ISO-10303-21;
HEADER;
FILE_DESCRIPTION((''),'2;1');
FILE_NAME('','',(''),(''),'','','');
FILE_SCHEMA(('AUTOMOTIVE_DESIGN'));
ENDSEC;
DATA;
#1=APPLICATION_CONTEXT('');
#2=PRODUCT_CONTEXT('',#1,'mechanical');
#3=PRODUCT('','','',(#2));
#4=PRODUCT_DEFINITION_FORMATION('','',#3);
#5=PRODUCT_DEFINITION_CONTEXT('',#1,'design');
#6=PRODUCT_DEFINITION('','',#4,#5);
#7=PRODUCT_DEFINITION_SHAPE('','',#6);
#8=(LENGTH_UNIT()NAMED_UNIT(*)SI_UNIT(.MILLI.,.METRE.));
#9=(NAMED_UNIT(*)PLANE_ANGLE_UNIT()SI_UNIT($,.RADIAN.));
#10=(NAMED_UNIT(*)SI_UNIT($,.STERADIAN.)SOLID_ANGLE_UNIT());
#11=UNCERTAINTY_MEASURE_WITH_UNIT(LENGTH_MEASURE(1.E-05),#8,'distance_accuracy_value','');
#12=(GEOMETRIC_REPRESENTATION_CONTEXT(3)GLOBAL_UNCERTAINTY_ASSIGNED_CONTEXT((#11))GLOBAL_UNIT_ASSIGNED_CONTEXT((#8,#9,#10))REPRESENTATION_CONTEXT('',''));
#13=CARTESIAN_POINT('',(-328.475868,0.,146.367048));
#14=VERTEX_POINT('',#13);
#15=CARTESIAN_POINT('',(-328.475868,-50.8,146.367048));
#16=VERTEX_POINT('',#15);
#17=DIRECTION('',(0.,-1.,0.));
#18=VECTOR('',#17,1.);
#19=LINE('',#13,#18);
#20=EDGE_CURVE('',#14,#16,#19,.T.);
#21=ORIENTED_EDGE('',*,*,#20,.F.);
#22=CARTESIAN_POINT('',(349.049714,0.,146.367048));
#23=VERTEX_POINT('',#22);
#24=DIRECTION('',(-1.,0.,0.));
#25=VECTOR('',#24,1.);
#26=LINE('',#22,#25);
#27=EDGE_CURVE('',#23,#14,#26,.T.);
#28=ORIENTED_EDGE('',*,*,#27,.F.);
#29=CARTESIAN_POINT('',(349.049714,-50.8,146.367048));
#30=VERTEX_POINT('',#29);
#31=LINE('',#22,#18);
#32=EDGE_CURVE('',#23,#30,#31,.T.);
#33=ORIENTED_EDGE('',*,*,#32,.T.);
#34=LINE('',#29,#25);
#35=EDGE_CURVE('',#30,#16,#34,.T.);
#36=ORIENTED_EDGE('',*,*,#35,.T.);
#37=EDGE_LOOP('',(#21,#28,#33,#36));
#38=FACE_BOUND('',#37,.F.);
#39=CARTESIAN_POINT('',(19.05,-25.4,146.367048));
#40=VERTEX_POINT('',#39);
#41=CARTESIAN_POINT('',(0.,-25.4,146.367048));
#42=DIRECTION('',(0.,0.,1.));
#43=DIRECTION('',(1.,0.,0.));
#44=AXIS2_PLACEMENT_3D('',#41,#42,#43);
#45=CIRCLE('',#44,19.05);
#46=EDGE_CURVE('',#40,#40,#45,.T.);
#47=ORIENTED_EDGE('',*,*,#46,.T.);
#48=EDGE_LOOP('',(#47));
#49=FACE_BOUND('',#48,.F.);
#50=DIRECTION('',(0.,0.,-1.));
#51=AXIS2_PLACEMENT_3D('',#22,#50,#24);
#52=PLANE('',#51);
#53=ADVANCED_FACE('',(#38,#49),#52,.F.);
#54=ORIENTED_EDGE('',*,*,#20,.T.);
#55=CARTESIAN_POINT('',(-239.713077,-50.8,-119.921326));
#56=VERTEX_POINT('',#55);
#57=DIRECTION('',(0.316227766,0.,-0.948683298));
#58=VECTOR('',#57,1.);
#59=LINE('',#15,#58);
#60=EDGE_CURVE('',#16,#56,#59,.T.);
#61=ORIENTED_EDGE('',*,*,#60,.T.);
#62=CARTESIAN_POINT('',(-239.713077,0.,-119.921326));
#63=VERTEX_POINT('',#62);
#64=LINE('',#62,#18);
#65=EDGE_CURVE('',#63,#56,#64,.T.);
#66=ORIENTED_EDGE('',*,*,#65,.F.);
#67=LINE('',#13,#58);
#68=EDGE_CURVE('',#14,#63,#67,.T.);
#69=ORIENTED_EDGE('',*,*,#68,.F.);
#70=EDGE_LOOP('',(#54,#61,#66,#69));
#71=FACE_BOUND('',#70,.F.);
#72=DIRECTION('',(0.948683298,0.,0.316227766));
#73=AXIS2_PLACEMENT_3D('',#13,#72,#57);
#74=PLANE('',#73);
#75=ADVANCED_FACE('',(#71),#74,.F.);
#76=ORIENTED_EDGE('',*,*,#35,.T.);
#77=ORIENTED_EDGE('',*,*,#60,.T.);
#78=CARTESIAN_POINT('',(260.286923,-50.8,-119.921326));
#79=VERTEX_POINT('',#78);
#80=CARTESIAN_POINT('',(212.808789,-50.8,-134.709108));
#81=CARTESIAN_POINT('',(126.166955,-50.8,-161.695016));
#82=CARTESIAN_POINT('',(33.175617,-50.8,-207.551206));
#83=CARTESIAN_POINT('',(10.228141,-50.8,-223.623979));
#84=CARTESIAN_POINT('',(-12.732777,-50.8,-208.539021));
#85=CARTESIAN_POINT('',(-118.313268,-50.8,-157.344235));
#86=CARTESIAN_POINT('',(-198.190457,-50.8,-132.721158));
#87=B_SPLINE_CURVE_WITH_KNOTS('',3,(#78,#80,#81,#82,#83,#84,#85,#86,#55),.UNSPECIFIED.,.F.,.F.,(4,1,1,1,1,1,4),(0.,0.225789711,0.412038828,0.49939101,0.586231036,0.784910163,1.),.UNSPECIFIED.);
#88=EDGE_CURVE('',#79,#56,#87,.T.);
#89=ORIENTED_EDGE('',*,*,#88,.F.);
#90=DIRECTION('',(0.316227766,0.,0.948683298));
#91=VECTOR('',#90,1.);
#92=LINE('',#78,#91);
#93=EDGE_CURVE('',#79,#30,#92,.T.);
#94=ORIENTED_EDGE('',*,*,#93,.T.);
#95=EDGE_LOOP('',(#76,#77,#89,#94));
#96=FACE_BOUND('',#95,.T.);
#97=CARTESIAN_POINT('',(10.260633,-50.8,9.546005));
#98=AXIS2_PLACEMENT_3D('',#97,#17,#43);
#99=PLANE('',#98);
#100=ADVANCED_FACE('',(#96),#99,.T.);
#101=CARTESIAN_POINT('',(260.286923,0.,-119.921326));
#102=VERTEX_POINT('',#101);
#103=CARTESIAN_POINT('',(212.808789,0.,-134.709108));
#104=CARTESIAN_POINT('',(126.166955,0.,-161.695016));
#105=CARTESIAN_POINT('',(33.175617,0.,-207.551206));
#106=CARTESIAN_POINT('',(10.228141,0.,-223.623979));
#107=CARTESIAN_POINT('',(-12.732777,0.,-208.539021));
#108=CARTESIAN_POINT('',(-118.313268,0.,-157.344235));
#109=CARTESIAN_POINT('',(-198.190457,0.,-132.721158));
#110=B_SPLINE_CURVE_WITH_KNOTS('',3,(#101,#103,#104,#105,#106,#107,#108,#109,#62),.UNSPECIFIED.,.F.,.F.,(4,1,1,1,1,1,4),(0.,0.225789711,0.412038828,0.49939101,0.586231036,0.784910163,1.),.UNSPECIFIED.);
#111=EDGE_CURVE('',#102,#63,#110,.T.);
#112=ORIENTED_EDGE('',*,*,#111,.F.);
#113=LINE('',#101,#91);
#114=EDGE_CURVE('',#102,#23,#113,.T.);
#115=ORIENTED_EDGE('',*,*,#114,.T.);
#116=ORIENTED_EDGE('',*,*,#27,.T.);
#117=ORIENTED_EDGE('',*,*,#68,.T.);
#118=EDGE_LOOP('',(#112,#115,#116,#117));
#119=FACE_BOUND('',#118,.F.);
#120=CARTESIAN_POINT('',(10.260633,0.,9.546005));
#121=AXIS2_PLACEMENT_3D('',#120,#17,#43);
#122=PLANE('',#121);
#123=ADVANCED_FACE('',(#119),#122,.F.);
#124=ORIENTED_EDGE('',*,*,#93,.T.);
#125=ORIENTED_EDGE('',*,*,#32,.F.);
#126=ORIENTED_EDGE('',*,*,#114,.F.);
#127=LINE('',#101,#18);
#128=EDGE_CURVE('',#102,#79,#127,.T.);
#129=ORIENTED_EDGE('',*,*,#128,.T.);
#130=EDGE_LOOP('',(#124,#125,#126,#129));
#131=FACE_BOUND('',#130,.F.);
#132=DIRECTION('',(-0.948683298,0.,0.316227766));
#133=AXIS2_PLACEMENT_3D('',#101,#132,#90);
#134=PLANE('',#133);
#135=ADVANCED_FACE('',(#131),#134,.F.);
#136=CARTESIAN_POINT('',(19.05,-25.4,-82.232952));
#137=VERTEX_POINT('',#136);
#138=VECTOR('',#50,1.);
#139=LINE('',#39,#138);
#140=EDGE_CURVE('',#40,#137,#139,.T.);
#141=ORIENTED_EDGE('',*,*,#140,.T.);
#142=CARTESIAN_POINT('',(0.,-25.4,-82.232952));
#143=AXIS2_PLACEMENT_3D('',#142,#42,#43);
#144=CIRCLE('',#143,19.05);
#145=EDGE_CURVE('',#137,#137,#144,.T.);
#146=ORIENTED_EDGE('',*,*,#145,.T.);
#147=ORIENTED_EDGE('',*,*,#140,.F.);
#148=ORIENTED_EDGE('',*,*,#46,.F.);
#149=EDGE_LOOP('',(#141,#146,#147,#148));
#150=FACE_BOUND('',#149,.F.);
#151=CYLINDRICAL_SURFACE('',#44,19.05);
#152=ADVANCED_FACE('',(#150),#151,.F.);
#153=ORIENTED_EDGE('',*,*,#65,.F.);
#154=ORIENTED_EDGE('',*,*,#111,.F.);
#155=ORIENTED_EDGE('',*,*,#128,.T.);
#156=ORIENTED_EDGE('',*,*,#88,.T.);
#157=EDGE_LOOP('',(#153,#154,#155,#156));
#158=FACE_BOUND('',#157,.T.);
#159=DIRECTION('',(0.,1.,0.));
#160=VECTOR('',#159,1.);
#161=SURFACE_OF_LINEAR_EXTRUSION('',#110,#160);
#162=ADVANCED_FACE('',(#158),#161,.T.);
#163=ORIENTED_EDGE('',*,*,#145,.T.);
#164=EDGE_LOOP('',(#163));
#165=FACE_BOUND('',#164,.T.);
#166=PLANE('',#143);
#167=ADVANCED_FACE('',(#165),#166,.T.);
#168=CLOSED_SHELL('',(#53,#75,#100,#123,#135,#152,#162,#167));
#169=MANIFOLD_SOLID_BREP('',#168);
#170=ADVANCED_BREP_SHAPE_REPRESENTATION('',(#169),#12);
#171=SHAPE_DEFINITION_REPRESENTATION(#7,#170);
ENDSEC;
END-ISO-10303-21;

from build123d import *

# Parameters (mm, degrees)
F1_DEPTH = 50.8
F2_R     = 19.05
F3_DEPTH = 228.6


with BuildPart() as f1:
    # F0 (on Front) → F1 (new body)
    with BuildSketch(Plane.XZ):
        with BuildLine():
            Line((349.0497140814, 146.3670476556), (-328.4758681608, 146.3670476556))
            Line((-328.4758681608, 146.3670476556), (-239.7130770397, -119.9213257077))
            add(Edge.make_bspline(
                [(260.2869229603, -119.9213257077), (212.8087892257, -134.7091077853), (126.1669554708, -161.6950159411), (33.1756173268, -207.55120633), (10.2281408015, -223.6239788755), (-12.7327769819, -208.5390211172), (-118.3132676866, -157.344234938), (-198.1904567747, -132.7211584048), (-239.7130770397, -119.9213257077)],
                knots=[0, 0, 0, 0, 0.2257897109, 0.4120388283, 0.4993910101, 0.586231036, 0.7849101631, 1, 1, 1, 1], degree=3))
            Line((260.2869229603, -119.9213257077), (349.0497140814, 146.3670476556))
        make_face()
    extrude(amount=F1_DEPTH)

    # F2 (on face) → F3 (cut)
    with BuildSketch(Plane.XY.offset(146.3670476556)):
        with Locations((0, -25.4)):
            Circle(F2_R)
    extrude(amount=-F3_DEPTH, mode=Mode.SUBTRACT)


solid = f1.part
